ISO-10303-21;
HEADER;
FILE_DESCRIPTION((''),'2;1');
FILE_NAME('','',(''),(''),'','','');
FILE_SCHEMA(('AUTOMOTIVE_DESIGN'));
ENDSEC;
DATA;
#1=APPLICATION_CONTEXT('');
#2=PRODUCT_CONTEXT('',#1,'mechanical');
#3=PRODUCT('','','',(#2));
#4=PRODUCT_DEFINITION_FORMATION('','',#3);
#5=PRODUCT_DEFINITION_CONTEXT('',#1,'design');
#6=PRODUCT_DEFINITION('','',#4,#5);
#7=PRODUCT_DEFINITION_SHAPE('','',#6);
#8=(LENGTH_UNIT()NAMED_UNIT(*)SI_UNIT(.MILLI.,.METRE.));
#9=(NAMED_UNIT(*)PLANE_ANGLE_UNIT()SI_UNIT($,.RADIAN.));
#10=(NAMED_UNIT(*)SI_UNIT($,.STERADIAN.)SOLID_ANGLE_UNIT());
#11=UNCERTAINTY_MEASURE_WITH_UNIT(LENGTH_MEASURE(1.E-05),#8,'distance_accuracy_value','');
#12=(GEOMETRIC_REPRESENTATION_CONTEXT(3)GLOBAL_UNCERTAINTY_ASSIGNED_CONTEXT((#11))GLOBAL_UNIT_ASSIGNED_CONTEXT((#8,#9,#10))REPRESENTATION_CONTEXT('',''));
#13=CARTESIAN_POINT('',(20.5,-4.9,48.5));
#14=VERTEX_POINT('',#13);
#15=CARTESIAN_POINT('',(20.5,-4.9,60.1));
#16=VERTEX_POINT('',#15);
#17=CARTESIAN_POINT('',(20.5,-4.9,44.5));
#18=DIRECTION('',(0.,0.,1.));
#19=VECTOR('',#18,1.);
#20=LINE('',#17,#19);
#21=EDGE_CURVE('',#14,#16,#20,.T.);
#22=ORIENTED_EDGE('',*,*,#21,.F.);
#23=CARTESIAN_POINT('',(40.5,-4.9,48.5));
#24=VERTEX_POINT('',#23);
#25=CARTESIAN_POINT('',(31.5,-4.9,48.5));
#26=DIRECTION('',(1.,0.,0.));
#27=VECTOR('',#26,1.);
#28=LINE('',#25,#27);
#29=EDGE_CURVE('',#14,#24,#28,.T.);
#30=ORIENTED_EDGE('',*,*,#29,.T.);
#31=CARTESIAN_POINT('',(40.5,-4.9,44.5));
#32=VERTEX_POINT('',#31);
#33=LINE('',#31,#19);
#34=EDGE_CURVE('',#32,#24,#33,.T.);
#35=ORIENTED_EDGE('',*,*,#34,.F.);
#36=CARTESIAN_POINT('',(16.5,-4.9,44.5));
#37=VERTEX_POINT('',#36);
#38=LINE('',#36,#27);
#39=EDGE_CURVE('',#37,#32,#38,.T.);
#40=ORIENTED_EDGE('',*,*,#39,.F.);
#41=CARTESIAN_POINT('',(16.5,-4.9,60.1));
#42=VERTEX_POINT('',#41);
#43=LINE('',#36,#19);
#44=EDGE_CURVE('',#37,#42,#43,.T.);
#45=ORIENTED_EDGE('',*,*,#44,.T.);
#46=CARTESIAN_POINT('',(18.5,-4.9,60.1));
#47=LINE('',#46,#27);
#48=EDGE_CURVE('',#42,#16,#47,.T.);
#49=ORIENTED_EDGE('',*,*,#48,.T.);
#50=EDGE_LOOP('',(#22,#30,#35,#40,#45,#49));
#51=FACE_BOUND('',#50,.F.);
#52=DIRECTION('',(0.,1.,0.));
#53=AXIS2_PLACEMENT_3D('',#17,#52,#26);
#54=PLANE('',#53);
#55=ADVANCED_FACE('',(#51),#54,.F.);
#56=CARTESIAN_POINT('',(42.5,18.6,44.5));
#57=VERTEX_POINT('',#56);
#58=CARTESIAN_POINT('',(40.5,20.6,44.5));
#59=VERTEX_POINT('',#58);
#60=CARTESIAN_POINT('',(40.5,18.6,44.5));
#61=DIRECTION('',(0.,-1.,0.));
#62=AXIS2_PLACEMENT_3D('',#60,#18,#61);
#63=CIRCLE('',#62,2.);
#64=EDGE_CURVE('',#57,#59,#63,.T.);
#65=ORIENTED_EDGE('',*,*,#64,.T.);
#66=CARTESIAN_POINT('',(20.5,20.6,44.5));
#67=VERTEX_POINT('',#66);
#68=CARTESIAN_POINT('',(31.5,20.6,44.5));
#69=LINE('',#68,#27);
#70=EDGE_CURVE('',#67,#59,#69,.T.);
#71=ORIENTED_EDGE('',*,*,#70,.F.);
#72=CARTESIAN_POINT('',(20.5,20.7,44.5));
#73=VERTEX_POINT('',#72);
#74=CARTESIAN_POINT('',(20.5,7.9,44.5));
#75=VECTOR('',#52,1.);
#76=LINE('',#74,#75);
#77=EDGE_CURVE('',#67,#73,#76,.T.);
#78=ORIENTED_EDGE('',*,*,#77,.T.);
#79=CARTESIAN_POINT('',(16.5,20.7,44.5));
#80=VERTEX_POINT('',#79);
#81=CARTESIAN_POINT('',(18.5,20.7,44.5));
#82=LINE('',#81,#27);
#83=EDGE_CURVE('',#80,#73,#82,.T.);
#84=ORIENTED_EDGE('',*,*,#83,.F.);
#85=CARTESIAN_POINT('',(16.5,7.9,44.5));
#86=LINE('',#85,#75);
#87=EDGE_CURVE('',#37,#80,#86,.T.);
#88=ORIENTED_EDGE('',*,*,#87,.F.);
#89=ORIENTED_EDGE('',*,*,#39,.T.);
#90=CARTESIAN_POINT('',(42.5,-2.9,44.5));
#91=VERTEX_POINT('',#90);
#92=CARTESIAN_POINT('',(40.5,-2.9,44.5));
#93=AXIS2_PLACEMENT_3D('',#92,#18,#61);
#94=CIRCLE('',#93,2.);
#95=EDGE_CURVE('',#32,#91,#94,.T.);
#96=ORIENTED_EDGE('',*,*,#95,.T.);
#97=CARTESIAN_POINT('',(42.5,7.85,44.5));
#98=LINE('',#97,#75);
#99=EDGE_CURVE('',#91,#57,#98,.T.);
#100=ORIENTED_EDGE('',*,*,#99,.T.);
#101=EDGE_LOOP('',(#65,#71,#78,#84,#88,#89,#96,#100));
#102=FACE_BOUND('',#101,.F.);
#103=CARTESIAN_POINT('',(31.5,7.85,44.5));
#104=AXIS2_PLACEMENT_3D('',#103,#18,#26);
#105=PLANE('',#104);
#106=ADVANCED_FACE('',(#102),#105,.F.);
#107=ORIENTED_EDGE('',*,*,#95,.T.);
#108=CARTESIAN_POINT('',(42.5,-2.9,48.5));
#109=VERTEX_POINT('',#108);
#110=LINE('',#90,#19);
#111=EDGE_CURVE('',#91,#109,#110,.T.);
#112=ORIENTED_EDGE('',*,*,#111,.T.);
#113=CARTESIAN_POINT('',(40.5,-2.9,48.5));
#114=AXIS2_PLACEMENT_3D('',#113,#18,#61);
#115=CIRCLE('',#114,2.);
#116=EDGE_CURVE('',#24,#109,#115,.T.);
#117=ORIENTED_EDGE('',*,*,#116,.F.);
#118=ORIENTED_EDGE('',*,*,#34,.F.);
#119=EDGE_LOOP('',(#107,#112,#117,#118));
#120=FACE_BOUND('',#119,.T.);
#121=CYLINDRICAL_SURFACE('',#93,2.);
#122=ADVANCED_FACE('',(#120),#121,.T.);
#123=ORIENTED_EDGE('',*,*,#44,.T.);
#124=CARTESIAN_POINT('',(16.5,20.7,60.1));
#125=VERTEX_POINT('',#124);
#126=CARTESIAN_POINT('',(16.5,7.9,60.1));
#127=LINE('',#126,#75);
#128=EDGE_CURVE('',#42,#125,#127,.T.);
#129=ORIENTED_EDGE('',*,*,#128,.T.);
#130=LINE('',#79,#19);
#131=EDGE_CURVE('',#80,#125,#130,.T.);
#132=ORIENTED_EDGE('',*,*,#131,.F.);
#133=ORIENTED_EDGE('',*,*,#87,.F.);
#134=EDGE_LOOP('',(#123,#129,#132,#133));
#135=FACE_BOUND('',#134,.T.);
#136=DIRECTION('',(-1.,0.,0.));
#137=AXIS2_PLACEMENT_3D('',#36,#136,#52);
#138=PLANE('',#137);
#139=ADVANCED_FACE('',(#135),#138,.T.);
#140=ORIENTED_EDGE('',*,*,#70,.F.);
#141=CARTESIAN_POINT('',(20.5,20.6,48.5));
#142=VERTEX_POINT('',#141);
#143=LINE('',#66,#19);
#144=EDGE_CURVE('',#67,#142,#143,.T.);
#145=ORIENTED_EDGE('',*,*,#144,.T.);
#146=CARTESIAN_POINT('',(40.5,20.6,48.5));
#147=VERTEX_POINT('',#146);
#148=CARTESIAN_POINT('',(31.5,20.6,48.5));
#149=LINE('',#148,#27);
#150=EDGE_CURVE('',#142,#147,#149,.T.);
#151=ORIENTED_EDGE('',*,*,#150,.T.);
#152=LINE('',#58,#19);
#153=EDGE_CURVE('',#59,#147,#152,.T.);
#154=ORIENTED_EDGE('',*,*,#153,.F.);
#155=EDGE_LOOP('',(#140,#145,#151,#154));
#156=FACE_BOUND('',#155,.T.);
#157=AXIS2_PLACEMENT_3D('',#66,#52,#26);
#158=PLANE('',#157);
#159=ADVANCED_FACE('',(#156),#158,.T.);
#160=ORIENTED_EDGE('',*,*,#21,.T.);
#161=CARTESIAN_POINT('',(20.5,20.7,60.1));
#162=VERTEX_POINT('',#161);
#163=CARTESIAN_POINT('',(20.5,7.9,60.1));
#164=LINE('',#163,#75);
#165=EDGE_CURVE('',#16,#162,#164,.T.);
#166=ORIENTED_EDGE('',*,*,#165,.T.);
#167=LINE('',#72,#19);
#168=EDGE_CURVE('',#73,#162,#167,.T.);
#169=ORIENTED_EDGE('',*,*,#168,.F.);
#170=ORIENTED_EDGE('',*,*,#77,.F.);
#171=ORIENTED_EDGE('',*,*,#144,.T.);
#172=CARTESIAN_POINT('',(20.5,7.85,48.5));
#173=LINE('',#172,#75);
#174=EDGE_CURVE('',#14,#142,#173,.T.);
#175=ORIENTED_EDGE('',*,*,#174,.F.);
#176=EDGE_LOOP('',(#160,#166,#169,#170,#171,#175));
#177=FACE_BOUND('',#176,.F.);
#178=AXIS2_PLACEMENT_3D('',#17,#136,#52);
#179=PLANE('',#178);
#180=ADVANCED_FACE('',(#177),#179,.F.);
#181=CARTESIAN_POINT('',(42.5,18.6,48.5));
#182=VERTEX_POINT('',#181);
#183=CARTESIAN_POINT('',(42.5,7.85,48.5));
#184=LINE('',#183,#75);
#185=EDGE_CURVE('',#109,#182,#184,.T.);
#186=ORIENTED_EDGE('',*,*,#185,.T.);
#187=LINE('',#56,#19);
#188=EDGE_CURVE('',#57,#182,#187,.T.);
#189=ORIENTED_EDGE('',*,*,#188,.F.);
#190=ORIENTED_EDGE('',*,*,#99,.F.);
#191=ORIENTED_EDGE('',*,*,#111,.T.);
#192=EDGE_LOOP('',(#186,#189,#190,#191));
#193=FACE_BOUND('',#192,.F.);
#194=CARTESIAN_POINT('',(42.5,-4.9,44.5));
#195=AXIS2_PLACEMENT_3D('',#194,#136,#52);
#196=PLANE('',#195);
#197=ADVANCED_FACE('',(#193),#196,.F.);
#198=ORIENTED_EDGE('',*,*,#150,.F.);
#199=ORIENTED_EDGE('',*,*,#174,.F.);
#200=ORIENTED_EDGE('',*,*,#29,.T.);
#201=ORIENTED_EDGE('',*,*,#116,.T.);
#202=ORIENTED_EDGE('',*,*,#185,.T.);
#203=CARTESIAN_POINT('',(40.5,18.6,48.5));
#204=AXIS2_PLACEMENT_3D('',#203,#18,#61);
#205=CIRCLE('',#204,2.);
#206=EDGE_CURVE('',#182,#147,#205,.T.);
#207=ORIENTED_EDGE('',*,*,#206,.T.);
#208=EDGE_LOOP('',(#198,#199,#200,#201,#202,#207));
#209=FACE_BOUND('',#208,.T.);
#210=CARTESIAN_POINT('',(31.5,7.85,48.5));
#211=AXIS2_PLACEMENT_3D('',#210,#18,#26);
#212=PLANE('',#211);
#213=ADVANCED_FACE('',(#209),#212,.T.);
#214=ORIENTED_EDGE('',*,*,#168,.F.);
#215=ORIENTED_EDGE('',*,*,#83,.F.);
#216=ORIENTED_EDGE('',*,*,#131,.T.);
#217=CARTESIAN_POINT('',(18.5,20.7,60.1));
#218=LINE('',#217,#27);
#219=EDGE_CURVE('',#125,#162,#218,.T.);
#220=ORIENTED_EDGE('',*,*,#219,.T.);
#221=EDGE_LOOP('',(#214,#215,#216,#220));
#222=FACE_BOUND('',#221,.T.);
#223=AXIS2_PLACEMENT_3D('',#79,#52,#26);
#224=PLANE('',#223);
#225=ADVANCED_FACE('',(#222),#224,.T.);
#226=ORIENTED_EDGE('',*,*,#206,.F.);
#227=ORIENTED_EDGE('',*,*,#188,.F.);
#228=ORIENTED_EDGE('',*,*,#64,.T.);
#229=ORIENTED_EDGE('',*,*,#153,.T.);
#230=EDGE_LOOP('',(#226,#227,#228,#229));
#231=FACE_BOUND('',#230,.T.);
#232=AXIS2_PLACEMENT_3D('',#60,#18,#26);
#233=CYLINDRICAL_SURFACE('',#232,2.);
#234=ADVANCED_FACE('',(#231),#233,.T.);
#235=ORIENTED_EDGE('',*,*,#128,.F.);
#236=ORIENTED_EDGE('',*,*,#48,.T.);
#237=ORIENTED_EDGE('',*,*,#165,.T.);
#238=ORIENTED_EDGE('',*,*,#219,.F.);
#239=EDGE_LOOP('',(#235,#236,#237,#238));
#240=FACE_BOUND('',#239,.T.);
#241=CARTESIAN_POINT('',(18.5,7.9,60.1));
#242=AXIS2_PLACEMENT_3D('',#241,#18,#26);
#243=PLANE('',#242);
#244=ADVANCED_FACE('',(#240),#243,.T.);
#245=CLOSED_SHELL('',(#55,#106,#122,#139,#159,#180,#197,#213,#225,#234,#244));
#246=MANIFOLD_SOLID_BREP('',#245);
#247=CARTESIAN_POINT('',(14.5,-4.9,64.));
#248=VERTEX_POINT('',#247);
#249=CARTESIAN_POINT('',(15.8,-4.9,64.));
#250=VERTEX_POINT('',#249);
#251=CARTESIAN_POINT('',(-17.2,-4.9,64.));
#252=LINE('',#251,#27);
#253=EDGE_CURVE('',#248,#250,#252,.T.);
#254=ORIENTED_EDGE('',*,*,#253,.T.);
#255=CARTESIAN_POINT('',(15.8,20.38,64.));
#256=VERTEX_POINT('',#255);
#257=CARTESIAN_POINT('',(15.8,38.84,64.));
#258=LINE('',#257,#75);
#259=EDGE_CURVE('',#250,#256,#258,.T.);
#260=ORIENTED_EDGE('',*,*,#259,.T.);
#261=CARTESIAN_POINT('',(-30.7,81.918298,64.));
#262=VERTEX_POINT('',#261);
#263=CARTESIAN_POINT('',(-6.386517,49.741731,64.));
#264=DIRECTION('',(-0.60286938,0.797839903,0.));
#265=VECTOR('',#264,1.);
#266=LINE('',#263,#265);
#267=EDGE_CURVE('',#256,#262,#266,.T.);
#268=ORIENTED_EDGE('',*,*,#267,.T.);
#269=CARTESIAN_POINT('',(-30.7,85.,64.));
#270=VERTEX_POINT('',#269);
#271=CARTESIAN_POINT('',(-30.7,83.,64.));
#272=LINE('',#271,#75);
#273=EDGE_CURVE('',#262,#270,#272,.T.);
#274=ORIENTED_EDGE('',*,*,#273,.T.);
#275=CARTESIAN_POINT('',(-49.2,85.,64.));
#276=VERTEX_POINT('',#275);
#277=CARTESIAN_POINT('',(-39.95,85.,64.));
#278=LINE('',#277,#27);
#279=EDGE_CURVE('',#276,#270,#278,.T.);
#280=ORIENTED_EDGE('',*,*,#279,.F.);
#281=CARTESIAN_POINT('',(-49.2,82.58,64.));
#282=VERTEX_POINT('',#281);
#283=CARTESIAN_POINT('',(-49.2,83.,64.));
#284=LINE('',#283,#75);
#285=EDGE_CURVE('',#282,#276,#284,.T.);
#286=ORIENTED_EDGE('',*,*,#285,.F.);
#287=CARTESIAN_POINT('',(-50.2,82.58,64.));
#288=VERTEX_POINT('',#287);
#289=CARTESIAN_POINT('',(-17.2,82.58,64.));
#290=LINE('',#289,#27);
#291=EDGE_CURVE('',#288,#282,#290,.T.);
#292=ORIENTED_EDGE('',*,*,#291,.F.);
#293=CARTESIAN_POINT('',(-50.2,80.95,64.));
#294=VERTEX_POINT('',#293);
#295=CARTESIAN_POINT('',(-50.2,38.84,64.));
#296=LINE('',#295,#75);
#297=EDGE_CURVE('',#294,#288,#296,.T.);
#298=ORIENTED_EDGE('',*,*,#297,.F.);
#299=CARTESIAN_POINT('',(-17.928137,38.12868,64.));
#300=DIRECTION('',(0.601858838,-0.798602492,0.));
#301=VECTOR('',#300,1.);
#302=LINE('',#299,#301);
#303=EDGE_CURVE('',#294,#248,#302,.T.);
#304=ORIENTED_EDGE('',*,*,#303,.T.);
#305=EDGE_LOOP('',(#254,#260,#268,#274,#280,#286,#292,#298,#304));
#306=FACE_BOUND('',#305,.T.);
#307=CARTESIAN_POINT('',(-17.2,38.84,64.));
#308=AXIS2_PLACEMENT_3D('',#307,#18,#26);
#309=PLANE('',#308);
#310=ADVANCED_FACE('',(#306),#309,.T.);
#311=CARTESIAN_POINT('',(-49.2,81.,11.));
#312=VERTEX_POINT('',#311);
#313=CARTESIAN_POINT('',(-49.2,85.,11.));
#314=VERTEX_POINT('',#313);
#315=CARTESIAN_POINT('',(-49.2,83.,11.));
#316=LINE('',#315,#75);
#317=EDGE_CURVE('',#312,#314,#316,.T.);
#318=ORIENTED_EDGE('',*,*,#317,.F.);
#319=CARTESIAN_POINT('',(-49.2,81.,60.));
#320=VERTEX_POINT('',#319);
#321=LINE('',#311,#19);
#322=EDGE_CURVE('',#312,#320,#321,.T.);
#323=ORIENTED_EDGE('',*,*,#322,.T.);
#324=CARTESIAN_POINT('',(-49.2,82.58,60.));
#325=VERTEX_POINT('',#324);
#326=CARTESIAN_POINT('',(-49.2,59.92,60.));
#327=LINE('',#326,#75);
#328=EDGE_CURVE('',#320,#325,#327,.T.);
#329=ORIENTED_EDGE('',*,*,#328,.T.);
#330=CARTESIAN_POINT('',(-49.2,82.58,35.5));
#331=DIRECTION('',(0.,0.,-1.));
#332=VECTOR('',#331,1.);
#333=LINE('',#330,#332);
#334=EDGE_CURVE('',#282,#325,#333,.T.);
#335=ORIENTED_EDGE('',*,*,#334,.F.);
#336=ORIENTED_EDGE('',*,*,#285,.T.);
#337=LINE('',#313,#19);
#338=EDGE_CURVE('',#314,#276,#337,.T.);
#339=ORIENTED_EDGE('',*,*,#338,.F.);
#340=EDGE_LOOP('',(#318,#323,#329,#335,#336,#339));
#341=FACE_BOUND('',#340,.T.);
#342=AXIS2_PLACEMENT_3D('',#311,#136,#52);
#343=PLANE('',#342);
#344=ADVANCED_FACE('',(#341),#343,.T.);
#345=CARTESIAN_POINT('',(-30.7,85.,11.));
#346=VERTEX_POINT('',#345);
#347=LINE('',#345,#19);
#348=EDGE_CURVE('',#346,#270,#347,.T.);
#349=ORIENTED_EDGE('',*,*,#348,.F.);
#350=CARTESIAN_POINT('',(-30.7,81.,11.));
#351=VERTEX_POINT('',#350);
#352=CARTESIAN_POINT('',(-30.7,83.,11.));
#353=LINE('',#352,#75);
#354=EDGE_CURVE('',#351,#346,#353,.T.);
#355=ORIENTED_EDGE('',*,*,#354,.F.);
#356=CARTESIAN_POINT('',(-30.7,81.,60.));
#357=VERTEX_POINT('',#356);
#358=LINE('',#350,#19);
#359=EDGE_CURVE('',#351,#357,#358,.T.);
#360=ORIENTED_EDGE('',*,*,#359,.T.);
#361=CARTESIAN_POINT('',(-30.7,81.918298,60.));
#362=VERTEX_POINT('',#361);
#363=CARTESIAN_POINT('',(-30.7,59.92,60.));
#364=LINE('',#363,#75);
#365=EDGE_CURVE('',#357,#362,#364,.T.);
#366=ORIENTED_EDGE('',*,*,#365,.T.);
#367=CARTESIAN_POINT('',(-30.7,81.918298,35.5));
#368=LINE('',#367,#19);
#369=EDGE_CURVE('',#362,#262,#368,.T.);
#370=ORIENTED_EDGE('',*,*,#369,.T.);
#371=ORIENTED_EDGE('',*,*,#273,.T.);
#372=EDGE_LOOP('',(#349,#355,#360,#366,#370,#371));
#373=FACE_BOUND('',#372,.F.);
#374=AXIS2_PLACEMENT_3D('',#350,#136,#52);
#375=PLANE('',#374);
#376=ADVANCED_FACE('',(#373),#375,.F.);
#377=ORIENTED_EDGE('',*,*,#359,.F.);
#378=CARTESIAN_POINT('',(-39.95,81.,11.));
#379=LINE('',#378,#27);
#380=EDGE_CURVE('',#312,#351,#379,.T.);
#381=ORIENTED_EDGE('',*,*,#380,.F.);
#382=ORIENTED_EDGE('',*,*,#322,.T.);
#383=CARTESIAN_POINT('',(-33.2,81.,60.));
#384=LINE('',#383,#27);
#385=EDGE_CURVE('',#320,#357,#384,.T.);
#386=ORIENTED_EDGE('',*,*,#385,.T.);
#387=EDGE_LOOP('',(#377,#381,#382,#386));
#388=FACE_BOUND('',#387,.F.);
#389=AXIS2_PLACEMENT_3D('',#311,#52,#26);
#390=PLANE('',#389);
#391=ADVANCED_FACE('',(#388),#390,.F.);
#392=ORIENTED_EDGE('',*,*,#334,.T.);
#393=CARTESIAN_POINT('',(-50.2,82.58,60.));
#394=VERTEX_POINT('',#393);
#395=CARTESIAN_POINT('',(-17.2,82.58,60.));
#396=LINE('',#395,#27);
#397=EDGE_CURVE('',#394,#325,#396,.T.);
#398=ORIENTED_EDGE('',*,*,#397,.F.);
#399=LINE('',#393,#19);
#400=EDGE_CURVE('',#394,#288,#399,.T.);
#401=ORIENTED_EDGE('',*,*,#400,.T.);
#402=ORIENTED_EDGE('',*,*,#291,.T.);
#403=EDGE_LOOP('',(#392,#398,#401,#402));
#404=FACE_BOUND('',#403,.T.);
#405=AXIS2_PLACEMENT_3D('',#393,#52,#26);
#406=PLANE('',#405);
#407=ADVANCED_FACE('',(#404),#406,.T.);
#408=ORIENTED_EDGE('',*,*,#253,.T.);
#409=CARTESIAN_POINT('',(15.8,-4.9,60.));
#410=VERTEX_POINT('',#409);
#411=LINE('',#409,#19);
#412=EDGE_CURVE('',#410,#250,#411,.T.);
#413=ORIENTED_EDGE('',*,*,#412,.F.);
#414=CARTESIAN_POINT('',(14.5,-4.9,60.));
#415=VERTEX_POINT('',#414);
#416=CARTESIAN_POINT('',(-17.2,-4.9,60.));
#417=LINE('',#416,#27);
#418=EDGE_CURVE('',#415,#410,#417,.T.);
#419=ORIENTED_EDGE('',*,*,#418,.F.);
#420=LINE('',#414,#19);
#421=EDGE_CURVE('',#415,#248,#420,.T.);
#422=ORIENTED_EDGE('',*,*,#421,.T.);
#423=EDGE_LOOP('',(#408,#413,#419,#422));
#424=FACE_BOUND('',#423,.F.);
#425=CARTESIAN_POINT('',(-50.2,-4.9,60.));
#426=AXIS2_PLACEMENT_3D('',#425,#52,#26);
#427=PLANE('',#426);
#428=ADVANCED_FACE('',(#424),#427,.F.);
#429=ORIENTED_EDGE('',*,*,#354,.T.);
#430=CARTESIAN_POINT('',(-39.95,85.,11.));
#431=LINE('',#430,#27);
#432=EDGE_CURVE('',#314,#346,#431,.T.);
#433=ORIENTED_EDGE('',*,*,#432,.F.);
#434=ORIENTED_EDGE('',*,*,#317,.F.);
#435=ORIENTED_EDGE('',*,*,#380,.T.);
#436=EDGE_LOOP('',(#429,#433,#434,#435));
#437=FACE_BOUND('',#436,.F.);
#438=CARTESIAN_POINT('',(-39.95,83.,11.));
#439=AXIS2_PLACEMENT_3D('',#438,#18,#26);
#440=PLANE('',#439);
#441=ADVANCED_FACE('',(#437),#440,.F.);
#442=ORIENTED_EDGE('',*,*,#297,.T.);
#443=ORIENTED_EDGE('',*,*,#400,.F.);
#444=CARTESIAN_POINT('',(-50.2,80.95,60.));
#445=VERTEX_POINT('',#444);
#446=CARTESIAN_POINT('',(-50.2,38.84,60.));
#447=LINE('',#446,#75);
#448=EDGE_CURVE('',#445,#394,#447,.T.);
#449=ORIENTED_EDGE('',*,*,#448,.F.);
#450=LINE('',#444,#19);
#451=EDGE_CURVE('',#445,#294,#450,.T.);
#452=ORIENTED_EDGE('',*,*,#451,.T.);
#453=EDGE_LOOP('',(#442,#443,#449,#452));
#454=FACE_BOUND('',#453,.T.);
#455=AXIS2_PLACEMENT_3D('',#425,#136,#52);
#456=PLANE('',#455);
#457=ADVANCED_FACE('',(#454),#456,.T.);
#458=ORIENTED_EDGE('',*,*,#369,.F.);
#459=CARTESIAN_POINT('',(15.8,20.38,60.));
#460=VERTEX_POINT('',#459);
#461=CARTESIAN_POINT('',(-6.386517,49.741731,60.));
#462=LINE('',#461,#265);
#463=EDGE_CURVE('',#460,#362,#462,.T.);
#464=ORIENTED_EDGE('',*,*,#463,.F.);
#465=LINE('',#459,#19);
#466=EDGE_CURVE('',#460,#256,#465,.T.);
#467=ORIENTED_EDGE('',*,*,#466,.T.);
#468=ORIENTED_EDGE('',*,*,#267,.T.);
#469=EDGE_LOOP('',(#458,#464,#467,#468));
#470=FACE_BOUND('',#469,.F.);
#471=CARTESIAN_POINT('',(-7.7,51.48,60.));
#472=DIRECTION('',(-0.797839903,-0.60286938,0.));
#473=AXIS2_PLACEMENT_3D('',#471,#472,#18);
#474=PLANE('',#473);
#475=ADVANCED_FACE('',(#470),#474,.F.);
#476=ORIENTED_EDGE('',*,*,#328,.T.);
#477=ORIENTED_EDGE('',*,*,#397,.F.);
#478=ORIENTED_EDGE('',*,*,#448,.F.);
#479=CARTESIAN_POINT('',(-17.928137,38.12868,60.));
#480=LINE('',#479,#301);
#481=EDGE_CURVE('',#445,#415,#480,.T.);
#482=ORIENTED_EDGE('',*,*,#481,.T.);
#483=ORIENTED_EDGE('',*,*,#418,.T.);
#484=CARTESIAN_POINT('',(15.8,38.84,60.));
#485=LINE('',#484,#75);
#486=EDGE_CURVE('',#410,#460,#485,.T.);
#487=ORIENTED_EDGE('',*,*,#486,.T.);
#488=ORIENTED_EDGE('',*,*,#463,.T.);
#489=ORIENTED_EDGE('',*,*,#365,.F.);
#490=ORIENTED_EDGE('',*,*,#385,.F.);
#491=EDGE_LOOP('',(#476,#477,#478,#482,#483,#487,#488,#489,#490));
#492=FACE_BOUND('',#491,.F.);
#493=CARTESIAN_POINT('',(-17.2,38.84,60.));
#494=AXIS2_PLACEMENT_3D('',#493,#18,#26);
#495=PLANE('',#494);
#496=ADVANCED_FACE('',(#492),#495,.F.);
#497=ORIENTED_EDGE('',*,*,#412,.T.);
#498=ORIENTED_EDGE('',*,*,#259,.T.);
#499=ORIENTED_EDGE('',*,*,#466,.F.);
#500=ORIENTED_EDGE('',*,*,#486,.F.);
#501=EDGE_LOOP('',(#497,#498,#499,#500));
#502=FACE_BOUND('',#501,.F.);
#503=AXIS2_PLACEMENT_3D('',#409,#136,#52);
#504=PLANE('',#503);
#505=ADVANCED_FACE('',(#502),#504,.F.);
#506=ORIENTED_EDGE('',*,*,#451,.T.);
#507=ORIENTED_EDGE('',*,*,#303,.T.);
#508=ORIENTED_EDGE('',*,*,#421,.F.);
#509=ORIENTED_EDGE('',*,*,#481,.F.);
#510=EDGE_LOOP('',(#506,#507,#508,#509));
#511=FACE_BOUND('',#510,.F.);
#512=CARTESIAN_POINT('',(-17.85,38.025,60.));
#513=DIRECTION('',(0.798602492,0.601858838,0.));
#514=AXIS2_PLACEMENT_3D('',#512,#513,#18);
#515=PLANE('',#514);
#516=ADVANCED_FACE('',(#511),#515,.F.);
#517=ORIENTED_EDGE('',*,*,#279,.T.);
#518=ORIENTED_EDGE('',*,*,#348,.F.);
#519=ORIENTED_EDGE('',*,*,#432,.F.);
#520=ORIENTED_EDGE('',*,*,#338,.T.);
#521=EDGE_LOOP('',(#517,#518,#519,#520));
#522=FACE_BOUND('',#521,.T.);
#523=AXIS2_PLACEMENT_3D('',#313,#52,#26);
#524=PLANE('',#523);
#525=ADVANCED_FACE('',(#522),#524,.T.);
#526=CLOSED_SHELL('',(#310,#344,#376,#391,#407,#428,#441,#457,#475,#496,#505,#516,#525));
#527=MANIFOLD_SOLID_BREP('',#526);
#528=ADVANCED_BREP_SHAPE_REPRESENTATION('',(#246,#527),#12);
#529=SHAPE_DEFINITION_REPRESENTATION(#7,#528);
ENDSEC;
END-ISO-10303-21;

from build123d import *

# Parameters (mm, degrees)
BOX026_W           = 66
BOX026_H           = 87.48
BOX026_DEPTH       = 4
CHAMFER001_1_SIZE2 = 64.7
CHAMFER001_1_SIZE  = 85.85
CHAMFER001_2_SIZE2 = 47
CHAMFER001_2_SIZE  = 62.2
BOX027_W           = 4
BOX027_H           = 25.6
BOX027_DEPTH       = 15.6
BOX025_W           = 22
BOX025_H           = 25.5
BOX025_DEPTH       = 4
FILLET010_R        = 2
BOX028_W           = 18.5
BOX028_H           = 4
BOX028_DEPTH       = 53


with BuildPart() as chamfer001:
    # Box026 → Box026 (new body)
    with BuildSketch(Plane(origin=(-50.2, -4.9, 60), x_dir=(1, 0, 0), z_dir=(0, 0, 1))):
        with Locations((33, 43.74)):
            Rectangle(BOX026_W, BOX026_H)
    extrude(amount=BOX026_DEPTH)

    # Chamfer001 1
    chamfer001_1_edges = [chamfer001.edges().sort_by_distance(p)[0] for p in [
        (-50.2, -4.9, 62),
    ]]
    chamfer001_1_side = chamfer001.faces().sort_by_distance((-50.2, 38.84, 62))[0]
    chamfer(chamfer001_1_edges, length=CHAMFER001_1_SIZE, length2=CHAMFER001_1_SIZE2, reference=chamfer001_1_side)

    # Chamfer001 2
    chamfer001_2_edges = [chamfer001.edges().sort_by_distance(p)[0] for p in [
        (15.8, 82.58, 62),
    ]]
    chamfer001_2_side = chamfer001.faces().sort_by_distance((15.8, 38.84, 62))[0]
    chamfer(chamfer001_2_edges, length=CHAMFER001_2_SIZE, length2=CHAMFER001_2_SIZE2, reference=chamfer001_2_side)


with BuildPart() as box027:
    # Box027 → Box027 (new body)
    with BuildSketch(Plane(origin=(16.5, -4.9, 44.5), x_dir=(1, 0, 0), z_dir=(0, 0, 1))):
        with Locations((2, 12.8)):
            Rectangle(BOX027_W, BOX027_H)
    extrude(amount=BOX027_DEPTH)


with BuildPart() as fillet010:
    # Box025 → Box025 (new body)
    with BuildSketch(Plane(origin=(20.5, -4.9, 44.5), x_dir=(1, 0, 0), z_dir=(0, 0, 1))):
        with Locations((11, 12.75)):
            Rectangle(BOX025_W, BOX025_H)
    extrude(amount=BOX025_DEPTH)

    # Fillet010
    fillet010_edges = [fillet010.edges().sort_by_distance(p)[0] for p in [
        (42.5, -4.9, 46.5),
        (42.5, 20.6, 46.5),
    ]]
    fillet(fillet010_edges, radius=FILLET010_R)


with BuildPart() as fusion002008006003002:
    # Box028 → Box028 (new body)
    with BuildSketch(Plane(origin=(-49.2, 81, 11), x_dir=(1, 0, 0), z_dir=(0, 0, 1))):
        with Locations((9.25, 2)):
            Rectangle(BOX028_W, BOX028_H)
    extrude(amount=BOX028_DEPTH)

    # Fusion002008006003002: union Chamfer001, Box027, Fillet010
    add(chamfer001.part)
    add(box027.part)
    add(fillet010.part)


solid = fusion002008006003002.part
